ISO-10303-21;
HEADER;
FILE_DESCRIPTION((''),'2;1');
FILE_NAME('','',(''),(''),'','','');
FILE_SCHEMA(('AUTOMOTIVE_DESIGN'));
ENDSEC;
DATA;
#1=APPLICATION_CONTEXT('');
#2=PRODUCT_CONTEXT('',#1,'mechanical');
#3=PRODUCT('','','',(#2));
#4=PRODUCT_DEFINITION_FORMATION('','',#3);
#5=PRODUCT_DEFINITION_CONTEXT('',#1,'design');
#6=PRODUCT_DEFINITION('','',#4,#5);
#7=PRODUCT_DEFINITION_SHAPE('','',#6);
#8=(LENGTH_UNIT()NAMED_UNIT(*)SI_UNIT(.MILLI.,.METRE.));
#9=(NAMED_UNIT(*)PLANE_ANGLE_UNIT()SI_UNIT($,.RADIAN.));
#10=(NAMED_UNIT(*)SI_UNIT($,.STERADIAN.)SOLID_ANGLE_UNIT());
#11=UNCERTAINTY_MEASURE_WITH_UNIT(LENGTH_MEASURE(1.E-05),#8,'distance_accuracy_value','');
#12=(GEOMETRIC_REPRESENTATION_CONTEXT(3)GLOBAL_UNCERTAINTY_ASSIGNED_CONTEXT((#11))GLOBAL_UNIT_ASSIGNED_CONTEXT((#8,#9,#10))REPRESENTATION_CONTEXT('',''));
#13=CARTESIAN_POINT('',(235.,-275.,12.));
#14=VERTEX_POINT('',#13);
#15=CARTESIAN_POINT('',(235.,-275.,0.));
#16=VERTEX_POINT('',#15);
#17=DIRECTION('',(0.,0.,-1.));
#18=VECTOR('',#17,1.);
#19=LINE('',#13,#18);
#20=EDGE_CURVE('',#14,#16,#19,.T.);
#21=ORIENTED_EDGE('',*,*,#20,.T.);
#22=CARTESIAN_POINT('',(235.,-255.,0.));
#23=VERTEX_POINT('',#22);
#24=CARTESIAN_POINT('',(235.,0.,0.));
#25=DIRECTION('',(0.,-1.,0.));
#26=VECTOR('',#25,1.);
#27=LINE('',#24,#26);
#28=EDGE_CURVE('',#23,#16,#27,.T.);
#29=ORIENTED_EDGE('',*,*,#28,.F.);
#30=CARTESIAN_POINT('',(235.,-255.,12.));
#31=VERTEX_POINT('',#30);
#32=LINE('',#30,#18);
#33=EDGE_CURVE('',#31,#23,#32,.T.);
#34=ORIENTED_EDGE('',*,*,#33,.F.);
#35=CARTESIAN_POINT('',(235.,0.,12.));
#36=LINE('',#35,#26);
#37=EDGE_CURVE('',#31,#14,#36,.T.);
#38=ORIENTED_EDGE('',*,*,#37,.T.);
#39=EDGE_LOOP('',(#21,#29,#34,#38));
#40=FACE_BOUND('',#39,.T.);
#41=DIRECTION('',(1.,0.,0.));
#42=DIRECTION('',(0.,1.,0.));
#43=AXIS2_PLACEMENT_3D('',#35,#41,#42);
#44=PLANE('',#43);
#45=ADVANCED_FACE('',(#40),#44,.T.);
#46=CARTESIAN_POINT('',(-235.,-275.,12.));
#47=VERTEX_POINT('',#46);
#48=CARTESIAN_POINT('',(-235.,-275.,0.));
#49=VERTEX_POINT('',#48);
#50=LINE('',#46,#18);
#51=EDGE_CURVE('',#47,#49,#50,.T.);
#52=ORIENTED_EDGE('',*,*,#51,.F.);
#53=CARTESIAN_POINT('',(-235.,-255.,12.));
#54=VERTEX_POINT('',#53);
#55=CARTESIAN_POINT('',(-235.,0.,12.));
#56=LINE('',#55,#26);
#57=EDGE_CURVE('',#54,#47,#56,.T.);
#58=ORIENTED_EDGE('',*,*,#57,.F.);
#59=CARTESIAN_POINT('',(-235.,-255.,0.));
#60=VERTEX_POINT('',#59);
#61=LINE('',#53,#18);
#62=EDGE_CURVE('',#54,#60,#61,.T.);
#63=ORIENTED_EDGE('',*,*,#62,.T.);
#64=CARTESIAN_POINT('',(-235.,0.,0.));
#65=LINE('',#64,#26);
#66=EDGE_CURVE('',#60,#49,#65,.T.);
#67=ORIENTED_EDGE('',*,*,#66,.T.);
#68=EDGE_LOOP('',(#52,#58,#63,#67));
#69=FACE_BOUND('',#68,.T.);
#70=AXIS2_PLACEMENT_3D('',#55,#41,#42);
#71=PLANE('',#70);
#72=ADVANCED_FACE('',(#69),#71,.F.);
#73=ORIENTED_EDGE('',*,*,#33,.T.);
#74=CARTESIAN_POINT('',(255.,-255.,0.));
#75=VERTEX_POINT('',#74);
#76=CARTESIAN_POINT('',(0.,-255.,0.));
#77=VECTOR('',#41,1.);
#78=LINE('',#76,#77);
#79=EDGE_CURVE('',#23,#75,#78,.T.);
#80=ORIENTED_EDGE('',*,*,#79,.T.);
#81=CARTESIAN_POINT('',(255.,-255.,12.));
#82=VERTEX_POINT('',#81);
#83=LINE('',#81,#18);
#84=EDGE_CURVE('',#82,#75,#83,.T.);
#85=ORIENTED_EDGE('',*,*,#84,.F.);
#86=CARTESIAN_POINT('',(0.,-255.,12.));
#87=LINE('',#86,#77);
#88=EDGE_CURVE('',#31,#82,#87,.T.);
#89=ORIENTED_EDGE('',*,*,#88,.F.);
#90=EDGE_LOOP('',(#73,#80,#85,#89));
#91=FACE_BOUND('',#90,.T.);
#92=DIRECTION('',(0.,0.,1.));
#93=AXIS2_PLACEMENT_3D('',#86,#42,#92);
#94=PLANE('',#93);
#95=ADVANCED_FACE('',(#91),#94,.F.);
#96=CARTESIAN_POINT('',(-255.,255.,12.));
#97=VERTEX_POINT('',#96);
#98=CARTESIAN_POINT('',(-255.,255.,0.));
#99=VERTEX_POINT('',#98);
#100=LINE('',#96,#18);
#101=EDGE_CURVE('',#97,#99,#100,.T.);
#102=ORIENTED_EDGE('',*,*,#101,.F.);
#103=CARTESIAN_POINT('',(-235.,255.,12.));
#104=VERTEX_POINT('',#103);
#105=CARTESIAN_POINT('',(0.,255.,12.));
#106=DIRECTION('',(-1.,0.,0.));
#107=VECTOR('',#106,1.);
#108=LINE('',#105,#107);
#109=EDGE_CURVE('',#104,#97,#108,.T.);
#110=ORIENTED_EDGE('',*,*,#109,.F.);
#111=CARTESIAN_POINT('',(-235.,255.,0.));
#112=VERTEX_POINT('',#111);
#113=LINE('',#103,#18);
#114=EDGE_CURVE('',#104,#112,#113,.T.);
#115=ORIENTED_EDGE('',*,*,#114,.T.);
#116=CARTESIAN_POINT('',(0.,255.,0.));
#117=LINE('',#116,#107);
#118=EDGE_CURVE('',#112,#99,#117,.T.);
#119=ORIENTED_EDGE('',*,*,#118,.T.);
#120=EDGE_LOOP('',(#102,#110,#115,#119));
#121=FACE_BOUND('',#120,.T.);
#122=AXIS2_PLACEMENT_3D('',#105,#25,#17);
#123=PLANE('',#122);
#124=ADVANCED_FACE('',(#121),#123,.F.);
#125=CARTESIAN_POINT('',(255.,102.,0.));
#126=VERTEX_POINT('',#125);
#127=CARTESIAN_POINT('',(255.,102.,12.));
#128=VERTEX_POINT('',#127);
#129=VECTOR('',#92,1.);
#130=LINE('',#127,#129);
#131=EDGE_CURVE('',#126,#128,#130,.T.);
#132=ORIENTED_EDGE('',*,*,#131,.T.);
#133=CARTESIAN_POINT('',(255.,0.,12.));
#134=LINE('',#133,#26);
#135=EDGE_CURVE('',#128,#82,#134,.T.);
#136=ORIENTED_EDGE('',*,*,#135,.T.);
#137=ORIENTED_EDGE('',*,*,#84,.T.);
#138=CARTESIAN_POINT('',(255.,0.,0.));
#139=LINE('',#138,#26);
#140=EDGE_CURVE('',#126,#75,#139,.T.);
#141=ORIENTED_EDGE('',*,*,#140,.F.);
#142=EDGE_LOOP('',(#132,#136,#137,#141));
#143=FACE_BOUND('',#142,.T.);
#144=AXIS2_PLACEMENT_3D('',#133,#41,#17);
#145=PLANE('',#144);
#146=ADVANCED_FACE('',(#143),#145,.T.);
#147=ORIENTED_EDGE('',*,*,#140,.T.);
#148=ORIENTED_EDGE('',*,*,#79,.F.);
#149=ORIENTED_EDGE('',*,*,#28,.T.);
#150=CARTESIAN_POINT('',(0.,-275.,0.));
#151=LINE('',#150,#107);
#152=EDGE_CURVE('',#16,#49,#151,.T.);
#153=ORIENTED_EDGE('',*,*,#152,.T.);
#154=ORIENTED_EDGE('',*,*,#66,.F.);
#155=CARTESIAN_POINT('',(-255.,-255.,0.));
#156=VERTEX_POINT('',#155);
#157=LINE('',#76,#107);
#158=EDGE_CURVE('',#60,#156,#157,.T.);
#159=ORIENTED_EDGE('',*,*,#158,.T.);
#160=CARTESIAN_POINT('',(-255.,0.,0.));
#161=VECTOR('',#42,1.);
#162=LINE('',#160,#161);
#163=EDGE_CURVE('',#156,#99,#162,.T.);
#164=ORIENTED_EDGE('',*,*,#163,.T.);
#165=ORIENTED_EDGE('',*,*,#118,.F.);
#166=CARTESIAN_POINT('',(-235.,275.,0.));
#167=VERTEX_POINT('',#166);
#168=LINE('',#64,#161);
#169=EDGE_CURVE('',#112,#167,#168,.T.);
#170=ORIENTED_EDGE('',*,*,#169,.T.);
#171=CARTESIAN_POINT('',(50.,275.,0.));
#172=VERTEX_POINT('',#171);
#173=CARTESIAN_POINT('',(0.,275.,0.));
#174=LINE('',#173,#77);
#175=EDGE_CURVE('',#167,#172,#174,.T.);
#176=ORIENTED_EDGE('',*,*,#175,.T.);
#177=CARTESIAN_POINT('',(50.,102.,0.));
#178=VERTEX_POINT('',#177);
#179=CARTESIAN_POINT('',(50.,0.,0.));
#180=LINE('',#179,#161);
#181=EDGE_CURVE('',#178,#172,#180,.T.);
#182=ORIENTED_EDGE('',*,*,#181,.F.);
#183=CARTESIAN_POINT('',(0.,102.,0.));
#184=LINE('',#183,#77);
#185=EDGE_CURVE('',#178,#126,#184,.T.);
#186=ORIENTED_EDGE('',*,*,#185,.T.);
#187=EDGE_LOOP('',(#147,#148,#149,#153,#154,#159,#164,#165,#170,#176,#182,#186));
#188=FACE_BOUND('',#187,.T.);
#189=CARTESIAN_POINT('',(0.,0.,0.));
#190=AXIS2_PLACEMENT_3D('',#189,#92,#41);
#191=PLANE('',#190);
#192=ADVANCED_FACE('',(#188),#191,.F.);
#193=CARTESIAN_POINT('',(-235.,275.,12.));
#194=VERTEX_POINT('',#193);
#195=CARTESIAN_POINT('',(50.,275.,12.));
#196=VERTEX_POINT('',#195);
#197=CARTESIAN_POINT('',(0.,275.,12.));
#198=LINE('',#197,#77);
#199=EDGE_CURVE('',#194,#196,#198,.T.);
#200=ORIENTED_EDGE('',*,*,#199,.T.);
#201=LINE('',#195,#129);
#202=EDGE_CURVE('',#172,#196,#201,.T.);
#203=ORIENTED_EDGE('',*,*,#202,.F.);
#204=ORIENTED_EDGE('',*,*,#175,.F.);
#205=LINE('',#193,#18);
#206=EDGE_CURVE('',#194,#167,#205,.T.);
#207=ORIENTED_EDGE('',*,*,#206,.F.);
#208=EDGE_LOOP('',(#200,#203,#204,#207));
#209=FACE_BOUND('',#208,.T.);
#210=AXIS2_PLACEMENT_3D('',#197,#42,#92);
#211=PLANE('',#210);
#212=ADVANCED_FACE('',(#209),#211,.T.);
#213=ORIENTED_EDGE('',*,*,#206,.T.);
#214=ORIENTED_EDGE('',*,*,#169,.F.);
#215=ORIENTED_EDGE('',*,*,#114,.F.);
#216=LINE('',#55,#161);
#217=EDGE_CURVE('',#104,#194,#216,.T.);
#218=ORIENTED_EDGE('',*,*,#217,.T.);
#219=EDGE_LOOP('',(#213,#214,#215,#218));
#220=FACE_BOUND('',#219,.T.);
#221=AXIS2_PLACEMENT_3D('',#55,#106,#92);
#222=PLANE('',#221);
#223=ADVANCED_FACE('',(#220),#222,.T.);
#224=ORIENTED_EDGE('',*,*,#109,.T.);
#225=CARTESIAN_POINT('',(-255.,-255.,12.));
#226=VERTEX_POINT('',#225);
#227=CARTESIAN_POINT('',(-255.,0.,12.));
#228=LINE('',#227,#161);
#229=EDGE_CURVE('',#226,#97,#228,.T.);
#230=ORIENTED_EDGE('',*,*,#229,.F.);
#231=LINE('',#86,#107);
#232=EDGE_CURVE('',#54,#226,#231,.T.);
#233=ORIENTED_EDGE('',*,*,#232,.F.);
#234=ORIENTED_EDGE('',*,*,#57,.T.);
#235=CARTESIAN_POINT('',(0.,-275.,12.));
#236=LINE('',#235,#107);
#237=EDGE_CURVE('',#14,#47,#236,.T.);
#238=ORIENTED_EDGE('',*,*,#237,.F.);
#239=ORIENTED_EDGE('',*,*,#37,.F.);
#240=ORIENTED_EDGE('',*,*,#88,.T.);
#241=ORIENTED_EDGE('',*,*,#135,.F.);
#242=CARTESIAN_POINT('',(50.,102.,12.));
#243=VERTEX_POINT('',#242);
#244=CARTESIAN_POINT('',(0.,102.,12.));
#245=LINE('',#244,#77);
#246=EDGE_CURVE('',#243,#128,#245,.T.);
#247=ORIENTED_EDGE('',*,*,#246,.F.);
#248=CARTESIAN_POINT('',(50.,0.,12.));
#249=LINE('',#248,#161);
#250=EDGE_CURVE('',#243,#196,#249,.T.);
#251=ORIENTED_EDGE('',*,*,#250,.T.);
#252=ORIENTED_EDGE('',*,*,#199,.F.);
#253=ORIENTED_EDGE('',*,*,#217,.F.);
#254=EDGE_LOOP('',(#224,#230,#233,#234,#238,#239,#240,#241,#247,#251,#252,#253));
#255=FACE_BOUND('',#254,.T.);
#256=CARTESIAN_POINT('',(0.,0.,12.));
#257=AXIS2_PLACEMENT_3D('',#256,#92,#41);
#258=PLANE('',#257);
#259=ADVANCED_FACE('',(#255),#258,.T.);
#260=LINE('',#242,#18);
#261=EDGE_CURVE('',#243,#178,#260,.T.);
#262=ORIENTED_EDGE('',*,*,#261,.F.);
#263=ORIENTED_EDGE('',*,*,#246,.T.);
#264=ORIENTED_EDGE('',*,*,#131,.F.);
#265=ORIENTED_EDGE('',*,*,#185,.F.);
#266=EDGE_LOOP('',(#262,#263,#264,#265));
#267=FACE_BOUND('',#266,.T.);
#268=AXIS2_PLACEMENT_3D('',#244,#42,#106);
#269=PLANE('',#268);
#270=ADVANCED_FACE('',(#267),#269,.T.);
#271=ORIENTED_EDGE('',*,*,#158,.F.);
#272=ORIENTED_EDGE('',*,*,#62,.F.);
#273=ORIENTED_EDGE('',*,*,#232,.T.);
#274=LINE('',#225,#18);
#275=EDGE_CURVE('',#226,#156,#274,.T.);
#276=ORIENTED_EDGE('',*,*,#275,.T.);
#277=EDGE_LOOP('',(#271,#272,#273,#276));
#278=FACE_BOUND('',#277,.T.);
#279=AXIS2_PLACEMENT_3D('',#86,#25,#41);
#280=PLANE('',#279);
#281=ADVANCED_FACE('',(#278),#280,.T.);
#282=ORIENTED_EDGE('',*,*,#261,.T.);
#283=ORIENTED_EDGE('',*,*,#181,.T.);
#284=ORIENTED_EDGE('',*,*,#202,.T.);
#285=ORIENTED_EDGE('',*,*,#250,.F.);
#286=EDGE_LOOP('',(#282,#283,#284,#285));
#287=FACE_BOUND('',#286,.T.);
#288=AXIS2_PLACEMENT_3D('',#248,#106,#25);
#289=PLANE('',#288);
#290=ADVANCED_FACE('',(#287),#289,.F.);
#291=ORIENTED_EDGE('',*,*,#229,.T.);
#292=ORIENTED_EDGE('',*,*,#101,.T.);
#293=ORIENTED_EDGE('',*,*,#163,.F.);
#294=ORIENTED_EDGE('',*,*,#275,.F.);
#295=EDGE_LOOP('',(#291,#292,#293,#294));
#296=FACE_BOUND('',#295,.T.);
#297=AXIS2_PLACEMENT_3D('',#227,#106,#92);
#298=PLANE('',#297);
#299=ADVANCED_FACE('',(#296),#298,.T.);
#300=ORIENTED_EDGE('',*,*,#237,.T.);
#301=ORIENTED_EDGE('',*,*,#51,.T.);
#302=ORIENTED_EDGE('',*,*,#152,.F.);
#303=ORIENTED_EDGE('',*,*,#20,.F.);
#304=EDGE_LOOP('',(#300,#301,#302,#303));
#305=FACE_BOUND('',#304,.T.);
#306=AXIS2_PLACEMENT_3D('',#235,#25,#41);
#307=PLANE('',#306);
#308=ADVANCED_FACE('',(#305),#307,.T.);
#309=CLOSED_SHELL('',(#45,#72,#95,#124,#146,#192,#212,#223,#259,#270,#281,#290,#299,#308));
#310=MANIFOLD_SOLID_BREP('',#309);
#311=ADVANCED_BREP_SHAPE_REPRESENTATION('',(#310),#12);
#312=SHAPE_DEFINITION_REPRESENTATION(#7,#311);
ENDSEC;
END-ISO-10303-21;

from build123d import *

# Parameters (mm, degrees)
SKETCH_1_W          = 470
SKETCH_1_H          = 510
SKETCH_1_H_2        = 20
SKETCH_1_W_2        = 20
EXTRUDE_1_DEPTH     = 12
SKETCH_2_W          = 185
SKETCH_2_H          = 153
SKETCH_2_W_2        = 20
SKETCH_2_H_2        = 20
CUT_EXTRUDE_1_DEPTH = 12


with BuildPart() as part:
    # ｽｹｯﾁ1 → ﾎﾞｽ - 押し出し1 (new body)
    with BuildSketch(Plane.XY):
        Rectangle(SKETCH_1_W, SKETCH_1_H)
        with Locations((0, 265)):
            Rectangle(SKETCH_1_W, SKETCH_1_H_2)
        with Locations((-245, 0)):
            Rectangle(SKETCH_1_W_2, SKETCH_1_H)
        with Locations((245, 0)):
            Rectangle(SKETCH_1_W_2, SKETCH_1_H)
        with Locations((0, -265)):
            Rectangle(SKETCH_1_W, SKETCH_1_H_2)
    extrude(amount=EXTRUDE_1_DEPTH)

    # ｽｹｯﾁ2 → ｶｯﾄ - 押し出し1 (cut)
    with BuildSketch(Plane(origin=(0, 0, 0), x_dir=(-1, 0, 0), z_dir=(0, 0, -1))):
        Polygon((-255, 255), (-235, 255), (-235, 275), (-50, 275), (-50, 308.587411224), (-364.697292758, 308.587411224), (-364.697292758, 102), (-255, 102), align=None)
        with Locations((-142.5, 178.5)):
            Rectangle(SKETCH_2_W, SKETCH_2_H)
        with Locations((-245, 178.5)):
            Rectangle(SKETCH_2_W_2, SKETCH_2_H)
        with Locations((-142.5, 265)):
            Rectangle(SKETCH_2_W, SKETCH_2_H_2)
    extrude(amount=-CUT_EXTRUDE_1_DEPTH, mode=Mode.SUBTRACT)


solid = part.part
